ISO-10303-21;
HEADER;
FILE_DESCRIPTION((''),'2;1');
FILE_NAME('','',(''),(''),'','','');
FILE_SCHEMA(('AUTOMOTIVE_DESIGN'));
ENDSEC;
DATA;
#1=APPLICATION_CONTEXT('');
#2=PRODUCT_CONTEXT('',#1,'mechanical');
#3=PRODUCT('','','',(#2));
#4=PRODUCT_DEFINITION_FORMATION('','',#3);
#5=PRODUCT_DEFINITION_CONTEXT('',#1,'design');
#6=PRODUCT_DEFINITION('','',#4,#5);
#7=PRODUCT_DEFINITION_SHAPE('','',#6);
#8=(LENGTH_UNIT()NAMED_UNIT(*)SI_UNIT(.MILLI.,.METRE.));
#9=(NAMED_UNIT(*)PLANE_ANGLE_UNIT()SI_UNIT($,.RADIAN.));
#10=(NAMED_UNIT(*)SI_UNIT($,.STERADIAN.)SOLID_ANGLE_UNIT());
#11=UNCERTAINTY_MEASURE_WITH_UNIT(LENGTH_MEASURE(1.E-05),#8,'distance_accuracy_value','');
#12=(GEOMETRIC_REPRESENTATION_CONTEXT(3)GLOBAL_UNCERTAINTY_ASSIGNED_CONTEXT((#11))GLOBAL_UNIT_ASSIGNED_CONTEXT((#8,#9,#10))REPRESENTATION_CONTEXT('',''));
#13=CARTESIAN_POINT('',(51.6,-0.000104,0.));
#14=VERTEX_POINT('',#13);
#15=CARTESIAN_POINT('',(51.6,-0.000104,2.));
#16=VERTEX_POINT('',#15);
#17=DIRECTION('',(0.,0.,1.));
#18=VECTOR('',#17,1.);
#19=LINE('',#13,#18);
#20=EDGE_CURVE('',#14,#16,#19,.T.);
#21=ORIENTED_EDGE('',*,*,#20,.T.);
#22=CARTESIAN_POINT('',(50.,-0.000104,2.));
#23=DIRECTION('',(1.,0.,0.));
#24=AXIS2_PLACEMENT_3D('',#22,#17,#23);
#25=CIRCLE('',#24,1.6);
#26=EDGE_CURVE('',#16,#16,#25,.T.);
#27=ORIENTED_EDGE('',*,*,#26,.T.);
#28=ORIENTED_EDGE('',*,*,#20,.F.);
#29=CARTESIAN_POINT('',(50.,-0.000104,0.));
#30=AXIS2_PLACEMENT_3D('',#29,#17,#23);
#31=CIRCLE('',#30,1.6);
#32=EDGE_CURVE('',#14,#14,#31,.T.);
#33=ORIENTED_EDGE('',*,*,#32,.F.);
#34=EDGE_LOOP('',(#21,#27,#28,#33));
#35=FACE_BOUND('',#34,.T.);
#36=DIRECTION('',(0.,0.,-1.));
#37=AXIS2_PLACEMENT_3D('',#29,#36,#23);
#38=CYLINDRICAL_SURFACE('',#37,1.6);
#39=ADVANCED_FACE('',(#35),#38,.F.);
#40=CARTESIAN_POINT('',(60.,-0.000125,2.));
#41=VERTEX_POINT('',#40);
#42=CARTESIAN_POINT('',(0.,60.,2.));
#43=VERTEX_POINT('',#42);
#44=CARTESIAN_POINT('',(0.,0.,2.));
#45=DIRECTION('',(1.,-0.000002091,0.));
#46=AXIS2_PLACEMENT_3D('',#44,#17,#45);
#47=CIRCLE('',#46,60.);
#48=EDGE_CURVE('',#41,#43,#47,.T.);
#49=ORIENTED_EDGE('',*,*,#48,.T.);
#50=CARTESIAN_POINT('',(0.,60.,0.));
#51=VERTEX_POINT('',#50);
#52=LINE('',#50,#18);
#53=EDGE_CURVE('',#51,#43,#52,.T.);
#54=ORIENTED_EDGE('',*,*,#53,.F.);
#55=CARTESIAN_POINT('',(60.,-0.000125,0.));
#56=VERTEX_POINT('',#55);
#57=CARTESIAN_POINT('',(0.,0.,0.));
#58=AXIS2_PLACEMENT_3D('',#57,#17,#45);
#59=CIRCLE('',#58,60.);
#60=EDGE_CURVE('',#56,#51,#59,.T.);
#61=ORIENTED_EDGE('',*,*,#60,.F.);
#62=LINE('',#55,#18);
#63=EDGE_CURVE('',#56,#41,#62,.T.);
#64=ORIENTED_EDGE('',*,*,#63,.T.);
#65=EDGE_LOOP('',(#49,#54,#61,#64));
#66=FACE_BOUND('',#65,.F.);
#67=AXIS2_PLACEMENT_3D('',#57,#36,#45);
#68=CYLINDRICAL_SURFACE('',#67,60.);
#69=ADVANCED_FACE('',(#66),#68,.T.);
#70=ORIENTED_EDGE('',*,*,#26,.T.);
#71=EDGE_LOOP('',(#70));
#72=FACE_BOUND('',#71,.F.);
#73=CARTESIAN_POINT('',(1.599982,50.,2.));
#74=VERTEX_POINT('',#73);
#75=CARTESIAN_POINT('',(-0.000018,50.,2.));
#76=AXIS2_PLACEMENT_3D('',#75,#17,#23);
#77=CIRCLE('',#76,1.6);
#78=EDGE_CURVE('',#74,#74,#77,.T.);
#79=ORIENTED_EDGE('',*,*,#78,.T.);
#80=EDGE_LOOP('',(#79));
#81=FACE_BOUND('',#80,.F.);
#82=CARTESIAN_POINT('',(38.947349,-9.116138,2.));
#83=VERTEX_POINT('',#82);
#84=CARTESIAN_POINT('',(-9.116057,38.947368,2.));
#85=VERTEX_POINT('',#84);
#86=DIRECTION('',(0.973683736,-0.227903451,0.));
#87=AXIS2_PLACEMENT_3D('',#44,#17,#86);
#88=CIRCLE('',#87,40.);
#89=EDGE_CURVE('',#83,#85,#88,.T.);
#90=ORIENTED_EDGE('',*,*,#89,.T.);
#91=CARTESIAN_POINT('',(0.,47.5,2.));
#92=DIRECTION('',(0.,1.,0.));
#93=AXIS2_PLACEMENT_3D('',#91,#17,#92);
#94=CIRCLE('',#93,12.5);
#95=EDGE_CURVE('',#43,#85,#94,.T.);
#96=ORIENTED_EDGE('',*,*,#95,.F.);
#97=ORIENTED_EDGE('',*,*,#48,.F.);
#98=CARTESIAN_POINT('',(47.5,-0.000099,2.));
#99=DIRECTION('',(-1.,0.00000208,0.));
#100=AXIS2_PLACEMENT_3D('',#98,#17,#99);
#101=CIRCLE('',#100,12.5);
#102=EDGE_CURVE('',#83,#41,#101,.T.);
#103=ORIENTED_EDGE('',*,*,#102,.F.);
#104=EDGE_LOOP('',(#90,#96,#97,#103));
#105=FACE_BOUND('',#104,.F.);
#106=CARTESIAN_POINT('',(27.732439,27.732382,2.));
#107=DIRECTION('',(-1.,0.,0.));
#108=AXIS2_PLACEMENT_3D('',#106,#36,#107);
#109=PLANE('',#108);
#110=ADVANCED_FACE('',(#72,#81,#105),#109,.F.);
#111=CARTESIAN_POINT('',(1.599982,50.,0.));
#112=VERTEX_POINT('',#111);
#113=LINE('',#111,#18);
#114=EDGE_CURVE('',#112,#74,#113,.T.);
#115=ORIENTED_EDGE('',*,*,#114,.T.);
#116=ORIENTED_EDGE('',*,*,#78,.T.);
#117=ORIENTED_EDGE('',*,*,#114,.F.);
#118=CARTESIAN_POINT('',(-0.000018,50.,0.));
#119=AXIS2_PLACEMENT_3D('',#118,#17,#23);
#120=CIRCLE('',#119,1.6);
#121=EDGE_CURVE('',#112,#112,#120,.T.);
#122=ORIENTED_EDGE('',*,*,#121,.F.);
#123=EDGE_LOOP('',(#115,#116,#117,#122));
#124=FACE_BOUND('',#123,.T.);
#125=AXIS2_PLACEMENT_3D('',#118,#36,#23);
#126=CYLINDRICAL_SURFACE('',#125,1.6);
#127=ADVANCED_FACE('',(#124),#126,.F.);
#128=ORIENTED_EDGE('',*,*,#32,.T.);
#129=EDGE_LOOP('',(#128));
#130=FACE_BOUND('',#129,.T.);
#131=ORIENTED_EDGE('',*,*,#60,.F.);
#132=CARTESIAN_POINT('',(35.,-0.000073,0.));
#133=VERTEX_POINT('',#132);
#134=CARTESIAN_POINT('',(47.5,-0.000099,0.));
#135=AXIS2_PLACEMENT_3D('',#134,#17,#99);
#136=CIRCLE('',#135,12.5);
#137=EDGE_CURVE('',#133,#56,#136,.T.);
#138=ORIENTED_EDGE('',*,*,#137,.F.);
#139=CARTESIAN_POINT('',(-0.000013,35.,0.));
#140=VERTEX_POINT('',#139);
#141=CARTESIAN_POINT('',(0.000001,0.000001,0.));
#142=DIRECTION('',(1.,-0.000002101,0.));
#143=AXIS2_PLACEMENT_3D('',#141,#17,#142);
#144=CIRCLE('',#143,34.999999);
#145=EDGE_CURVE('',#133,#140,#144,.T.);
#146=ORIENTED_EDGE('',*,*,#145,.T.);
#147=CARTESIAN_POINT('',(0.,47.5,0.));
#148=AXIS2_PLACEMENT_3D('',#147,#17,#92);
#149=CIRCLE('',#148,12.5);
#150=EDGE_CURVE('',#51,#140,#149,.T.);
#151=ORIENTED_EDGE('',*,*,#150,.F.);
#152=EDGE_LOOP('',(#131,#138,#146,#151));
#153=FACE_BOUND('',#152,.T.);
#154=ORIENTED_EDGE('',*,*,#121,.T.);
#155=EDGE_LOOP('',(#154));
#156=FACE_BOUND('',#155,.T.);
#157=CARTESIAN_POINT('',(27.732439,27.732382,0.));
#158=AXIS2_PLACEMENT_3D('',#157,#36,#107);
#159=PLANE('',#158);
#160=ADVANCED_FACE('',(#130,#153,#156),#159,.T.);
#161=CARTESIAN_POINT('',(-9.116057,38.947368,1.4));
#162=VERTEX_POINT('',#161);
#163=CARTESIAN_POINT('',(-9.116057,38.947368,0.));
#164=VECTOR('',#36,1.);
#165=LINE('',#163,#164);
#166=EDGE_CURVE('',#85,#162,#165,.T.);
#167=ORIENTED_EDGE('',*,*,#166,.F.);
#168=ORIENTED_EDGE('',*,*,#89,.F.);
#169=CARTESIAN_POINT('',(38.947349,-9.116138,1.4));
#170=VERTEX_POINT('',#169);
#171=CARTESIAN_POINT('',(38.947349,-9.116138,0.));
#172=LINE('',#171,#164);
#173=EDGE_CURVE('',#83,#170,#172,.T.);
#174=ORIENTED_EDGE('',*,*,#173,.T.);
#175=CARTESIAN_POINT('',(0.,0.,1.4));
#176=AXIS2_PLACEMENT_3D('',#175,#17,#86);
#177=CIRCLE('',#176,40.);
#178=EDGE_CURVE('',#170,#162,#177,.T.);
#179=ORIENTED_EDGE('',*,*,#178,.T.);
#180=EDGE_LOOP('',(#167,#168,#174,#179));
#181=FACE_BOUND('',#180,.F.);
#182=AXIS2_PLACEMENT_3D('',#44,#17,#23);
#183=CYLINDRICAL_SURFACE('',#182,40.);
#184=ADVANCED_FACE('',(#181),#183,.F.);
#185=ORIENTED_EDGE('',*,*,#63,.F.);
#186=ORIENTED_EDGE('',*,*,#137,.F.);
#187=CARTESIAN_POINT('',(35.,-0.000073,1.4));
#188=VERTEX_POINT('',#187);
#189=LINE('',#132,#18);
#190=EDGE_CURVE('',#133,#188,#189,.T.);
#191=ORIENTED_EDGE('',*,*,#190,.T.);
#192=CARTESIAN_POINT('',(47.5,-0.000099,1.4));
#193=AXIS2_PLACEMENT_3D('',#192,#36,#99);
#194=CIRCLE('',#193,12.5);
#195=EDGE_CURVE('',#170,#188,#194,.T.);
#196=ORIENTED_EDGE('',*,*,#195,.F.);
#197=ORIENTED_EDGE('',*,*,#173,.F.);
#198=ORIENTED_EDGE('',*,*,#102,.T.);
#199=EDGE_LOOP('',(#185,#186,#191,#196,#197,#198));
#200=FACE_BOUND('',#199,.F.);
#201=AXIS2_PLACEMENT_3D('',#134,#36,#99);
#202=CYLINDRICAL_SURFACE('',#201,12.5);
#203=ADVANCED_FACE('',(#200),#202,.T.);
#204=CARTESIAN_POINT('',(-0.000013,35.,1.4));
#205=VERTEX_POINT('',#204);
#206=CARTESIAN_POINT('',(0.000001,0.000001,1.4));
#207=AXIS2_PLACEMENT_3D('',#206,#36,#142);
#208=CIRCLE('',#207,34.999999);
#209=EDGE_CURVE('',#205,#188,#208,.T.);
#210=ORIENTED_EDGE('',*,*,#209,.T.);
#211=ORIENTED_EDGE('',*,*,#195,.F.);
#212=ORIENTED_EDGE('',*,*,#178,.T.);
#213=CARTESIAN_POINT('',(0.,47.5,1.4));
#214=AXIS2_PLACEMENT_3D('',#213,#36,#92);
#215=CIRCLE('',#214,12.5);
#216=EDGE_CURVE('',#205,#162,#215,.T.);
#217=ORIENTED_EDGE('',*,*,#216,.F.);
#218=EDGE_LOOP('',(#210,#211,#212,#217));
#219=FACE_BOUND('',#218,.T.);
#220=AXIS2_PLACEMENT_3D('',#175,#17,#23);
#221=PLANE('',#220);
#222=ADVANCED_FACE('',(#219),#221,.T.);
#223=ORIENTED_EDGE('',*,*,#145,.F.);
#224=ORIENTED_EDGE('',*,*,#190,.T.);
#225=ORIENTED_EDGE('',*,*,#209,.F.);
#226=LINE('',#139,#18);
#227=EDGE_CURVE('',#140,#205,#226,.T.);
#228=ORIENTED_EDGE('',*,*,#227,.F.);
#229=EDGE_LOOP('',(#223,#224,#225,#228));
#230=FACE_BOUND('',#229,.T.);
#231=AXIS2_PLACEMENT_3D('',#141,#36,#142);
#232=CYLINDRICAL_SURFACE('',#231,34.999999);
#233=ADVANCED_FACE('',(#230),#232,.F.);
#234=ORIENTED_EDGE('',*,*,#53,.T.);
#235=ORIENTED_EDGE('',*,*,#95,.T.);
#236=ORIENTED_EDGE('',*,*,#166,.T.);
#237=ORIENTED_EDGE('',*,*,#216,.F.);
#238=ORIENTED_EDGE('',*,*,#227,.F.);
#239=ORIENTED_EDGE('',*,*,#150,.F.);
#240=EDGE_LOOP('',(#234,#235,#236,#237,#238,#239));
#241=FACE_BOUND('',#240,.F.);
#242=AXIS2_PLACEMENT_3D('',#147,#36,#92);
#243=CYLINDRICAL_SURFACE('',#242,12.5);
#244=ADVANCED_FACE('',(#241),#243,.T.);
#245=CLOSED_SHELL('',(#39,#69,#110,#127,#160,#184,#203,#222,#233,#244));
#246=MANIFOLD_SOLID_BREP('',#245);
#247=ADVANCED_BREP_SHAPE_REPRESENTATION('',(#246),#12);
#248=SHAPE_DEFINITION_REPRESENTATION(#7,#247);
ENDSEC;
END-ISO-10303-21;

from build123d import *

# Parameters (mm, degrees)
SKETCH_R     = 1.6
PAD_DEPTH    = 2
SKETCH001_R  = 40
POCKET_DEPTH = 0.6


with BuildPart() as part:
    # Sketch → Pad (new body)
    with BuildSketch(Plane.XY):
        with BuildLine():
            ThreePointArc((35, -7.3e-05), (24.748759, 24.748716), (-1.3e-05, 35))
            ThreePointArc((0, 60), (-12.5, 47.500006), (-1.3e-05, 35))
            ThreePointArc((60, -0.000125), (42.426451, 42.426363), (0, 60))
            ThreePointArc((35, -7.3e-05), (47.499974, -12.500099), (60, -0.000125))
        make_face()
        with Locations((50, -0.000104)):
            Circle(SKETCH_R, mode=Mode.SUBTRACT)
        with Locations((-1.8e-05, 50)):
            Circle(SKETCH_R, mode=Mode.SUBTRACT)
    extrude(amount=PAD_DEPTH)

    # Sketch001 (on Face8 of Pad) → Pocket (cut)
    with BuildSketch(Plane.XY.offset(2)):
        Circle(SKETCH001_R)
    extrude(amount=-POCKET_DEPTH, mode=Mode.SUBTRACT)


solid = part.part
